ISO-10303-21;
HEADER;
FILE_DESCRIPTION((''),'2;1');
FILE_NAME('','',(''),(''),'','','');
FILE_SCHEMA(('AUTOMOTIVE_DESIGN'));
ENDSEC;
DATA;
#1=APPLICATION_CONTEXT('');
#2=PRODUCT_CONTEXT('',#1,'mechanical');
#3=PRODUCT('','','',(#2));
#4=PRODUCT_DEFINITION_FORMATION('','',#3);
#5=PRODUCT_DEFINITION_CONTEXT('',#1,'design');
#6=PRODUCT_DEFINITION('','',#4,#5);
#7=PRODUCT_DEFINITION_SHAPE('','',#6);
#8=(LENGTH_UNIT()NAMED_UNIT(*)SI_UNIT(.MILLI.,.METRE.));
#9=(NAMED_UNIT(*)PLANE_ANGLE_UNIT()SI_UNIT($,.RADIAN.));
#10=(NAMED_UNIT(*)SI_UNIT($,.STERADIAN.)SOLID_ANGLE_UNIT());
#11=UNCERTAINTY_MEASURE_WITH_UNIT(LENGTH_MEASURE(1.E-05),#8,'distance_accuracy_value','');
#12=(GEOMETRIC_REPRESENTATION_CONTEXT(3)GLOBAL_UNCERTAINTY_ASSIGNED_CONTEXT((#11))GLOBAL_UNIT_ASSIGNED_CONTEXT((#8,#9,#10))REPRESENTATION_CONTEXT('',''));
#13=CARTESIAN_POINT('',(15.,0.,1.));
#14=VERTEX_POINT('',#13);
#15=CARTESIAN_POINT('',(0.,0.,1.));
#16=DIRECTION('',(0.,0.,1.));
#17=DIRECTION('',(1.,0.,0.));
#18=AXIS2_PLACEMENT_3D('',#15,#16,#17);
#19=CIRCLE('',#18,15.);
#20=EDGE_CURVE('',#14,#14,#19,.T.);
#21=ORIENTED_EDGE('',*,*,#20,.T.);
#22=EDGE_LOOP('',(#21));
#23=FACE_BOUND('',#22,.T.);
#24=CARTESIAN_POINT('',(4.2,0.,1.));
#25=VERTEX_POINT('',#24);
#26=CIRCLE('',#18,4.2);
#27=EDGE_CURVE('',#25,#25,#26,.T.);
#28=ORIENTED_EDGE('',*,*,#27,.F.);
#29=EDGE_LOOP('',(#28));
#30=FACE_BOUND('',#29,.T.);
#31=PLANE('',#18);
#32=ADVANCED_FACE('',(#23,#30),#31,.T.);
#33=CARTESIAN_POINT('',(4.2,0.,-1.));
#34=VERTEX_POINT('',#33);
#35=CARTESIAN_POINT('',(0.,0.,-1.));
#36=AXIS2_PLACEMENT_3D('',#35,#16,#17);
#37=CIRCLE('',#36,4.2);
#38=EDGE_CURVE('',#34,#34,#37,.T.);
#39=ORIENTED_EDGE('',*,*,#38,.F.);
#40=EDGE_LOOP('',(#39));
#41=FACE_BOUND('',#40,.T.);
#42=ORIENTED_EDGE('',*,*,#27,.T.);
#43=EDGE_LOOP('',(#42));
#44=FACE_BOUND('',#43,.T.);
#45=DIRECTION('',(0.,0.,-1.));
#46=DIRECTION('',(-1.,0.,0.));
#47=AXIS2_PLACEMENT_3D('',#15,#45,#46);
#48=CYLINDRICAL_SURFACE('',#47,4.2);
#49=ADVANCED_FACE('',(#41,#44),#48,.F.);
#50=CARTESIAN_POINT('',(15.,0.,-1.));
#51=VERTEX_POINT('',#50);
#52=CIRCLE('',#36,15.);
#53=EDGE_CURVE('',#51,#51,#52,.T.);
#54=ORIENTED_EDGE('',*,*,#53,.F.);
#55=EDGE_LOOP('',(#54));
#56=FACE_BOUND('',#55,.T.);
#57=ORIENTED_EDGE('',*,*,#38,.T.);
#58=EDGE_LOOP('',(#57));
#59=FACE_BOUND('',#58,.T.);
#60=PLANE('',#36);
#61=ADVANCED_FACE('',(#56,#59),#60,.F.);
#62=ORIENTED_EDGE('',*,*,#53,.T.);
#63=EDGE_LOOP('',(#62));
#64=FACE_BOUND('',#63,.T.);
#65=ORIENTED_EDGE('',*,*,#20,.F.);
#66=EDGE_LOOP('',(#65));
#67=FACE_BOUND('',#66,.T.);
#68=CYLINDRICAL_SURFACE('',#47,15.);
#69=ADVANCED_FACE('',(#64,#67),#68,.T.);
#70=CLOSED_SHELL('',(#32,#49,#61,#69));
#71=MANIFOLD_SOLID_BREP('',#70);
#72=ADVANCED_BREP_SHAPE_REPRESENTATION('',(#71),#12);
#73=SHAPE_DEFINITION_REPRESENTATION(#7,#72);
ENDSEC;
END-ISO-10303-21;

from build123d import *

# Parameters (mm, degrees)
SCHIZZO1_R      = 15
SCHIZZO1_R_2    = 4.2
MAIN_BODY_DEPTH = 1


with BuildPart() as part:
    # Schizzo1 → Main body (new, symmetric)
    with BuildSketch(Plane.XY):
        Circle(SCHIZZO1_R)
        Circle(SCHIZZO1_R_2, mode=Mode.SUBTRACT)
    extrude(amount=MAIN_BODY_DEPTH, both=True)


solid = part.part
